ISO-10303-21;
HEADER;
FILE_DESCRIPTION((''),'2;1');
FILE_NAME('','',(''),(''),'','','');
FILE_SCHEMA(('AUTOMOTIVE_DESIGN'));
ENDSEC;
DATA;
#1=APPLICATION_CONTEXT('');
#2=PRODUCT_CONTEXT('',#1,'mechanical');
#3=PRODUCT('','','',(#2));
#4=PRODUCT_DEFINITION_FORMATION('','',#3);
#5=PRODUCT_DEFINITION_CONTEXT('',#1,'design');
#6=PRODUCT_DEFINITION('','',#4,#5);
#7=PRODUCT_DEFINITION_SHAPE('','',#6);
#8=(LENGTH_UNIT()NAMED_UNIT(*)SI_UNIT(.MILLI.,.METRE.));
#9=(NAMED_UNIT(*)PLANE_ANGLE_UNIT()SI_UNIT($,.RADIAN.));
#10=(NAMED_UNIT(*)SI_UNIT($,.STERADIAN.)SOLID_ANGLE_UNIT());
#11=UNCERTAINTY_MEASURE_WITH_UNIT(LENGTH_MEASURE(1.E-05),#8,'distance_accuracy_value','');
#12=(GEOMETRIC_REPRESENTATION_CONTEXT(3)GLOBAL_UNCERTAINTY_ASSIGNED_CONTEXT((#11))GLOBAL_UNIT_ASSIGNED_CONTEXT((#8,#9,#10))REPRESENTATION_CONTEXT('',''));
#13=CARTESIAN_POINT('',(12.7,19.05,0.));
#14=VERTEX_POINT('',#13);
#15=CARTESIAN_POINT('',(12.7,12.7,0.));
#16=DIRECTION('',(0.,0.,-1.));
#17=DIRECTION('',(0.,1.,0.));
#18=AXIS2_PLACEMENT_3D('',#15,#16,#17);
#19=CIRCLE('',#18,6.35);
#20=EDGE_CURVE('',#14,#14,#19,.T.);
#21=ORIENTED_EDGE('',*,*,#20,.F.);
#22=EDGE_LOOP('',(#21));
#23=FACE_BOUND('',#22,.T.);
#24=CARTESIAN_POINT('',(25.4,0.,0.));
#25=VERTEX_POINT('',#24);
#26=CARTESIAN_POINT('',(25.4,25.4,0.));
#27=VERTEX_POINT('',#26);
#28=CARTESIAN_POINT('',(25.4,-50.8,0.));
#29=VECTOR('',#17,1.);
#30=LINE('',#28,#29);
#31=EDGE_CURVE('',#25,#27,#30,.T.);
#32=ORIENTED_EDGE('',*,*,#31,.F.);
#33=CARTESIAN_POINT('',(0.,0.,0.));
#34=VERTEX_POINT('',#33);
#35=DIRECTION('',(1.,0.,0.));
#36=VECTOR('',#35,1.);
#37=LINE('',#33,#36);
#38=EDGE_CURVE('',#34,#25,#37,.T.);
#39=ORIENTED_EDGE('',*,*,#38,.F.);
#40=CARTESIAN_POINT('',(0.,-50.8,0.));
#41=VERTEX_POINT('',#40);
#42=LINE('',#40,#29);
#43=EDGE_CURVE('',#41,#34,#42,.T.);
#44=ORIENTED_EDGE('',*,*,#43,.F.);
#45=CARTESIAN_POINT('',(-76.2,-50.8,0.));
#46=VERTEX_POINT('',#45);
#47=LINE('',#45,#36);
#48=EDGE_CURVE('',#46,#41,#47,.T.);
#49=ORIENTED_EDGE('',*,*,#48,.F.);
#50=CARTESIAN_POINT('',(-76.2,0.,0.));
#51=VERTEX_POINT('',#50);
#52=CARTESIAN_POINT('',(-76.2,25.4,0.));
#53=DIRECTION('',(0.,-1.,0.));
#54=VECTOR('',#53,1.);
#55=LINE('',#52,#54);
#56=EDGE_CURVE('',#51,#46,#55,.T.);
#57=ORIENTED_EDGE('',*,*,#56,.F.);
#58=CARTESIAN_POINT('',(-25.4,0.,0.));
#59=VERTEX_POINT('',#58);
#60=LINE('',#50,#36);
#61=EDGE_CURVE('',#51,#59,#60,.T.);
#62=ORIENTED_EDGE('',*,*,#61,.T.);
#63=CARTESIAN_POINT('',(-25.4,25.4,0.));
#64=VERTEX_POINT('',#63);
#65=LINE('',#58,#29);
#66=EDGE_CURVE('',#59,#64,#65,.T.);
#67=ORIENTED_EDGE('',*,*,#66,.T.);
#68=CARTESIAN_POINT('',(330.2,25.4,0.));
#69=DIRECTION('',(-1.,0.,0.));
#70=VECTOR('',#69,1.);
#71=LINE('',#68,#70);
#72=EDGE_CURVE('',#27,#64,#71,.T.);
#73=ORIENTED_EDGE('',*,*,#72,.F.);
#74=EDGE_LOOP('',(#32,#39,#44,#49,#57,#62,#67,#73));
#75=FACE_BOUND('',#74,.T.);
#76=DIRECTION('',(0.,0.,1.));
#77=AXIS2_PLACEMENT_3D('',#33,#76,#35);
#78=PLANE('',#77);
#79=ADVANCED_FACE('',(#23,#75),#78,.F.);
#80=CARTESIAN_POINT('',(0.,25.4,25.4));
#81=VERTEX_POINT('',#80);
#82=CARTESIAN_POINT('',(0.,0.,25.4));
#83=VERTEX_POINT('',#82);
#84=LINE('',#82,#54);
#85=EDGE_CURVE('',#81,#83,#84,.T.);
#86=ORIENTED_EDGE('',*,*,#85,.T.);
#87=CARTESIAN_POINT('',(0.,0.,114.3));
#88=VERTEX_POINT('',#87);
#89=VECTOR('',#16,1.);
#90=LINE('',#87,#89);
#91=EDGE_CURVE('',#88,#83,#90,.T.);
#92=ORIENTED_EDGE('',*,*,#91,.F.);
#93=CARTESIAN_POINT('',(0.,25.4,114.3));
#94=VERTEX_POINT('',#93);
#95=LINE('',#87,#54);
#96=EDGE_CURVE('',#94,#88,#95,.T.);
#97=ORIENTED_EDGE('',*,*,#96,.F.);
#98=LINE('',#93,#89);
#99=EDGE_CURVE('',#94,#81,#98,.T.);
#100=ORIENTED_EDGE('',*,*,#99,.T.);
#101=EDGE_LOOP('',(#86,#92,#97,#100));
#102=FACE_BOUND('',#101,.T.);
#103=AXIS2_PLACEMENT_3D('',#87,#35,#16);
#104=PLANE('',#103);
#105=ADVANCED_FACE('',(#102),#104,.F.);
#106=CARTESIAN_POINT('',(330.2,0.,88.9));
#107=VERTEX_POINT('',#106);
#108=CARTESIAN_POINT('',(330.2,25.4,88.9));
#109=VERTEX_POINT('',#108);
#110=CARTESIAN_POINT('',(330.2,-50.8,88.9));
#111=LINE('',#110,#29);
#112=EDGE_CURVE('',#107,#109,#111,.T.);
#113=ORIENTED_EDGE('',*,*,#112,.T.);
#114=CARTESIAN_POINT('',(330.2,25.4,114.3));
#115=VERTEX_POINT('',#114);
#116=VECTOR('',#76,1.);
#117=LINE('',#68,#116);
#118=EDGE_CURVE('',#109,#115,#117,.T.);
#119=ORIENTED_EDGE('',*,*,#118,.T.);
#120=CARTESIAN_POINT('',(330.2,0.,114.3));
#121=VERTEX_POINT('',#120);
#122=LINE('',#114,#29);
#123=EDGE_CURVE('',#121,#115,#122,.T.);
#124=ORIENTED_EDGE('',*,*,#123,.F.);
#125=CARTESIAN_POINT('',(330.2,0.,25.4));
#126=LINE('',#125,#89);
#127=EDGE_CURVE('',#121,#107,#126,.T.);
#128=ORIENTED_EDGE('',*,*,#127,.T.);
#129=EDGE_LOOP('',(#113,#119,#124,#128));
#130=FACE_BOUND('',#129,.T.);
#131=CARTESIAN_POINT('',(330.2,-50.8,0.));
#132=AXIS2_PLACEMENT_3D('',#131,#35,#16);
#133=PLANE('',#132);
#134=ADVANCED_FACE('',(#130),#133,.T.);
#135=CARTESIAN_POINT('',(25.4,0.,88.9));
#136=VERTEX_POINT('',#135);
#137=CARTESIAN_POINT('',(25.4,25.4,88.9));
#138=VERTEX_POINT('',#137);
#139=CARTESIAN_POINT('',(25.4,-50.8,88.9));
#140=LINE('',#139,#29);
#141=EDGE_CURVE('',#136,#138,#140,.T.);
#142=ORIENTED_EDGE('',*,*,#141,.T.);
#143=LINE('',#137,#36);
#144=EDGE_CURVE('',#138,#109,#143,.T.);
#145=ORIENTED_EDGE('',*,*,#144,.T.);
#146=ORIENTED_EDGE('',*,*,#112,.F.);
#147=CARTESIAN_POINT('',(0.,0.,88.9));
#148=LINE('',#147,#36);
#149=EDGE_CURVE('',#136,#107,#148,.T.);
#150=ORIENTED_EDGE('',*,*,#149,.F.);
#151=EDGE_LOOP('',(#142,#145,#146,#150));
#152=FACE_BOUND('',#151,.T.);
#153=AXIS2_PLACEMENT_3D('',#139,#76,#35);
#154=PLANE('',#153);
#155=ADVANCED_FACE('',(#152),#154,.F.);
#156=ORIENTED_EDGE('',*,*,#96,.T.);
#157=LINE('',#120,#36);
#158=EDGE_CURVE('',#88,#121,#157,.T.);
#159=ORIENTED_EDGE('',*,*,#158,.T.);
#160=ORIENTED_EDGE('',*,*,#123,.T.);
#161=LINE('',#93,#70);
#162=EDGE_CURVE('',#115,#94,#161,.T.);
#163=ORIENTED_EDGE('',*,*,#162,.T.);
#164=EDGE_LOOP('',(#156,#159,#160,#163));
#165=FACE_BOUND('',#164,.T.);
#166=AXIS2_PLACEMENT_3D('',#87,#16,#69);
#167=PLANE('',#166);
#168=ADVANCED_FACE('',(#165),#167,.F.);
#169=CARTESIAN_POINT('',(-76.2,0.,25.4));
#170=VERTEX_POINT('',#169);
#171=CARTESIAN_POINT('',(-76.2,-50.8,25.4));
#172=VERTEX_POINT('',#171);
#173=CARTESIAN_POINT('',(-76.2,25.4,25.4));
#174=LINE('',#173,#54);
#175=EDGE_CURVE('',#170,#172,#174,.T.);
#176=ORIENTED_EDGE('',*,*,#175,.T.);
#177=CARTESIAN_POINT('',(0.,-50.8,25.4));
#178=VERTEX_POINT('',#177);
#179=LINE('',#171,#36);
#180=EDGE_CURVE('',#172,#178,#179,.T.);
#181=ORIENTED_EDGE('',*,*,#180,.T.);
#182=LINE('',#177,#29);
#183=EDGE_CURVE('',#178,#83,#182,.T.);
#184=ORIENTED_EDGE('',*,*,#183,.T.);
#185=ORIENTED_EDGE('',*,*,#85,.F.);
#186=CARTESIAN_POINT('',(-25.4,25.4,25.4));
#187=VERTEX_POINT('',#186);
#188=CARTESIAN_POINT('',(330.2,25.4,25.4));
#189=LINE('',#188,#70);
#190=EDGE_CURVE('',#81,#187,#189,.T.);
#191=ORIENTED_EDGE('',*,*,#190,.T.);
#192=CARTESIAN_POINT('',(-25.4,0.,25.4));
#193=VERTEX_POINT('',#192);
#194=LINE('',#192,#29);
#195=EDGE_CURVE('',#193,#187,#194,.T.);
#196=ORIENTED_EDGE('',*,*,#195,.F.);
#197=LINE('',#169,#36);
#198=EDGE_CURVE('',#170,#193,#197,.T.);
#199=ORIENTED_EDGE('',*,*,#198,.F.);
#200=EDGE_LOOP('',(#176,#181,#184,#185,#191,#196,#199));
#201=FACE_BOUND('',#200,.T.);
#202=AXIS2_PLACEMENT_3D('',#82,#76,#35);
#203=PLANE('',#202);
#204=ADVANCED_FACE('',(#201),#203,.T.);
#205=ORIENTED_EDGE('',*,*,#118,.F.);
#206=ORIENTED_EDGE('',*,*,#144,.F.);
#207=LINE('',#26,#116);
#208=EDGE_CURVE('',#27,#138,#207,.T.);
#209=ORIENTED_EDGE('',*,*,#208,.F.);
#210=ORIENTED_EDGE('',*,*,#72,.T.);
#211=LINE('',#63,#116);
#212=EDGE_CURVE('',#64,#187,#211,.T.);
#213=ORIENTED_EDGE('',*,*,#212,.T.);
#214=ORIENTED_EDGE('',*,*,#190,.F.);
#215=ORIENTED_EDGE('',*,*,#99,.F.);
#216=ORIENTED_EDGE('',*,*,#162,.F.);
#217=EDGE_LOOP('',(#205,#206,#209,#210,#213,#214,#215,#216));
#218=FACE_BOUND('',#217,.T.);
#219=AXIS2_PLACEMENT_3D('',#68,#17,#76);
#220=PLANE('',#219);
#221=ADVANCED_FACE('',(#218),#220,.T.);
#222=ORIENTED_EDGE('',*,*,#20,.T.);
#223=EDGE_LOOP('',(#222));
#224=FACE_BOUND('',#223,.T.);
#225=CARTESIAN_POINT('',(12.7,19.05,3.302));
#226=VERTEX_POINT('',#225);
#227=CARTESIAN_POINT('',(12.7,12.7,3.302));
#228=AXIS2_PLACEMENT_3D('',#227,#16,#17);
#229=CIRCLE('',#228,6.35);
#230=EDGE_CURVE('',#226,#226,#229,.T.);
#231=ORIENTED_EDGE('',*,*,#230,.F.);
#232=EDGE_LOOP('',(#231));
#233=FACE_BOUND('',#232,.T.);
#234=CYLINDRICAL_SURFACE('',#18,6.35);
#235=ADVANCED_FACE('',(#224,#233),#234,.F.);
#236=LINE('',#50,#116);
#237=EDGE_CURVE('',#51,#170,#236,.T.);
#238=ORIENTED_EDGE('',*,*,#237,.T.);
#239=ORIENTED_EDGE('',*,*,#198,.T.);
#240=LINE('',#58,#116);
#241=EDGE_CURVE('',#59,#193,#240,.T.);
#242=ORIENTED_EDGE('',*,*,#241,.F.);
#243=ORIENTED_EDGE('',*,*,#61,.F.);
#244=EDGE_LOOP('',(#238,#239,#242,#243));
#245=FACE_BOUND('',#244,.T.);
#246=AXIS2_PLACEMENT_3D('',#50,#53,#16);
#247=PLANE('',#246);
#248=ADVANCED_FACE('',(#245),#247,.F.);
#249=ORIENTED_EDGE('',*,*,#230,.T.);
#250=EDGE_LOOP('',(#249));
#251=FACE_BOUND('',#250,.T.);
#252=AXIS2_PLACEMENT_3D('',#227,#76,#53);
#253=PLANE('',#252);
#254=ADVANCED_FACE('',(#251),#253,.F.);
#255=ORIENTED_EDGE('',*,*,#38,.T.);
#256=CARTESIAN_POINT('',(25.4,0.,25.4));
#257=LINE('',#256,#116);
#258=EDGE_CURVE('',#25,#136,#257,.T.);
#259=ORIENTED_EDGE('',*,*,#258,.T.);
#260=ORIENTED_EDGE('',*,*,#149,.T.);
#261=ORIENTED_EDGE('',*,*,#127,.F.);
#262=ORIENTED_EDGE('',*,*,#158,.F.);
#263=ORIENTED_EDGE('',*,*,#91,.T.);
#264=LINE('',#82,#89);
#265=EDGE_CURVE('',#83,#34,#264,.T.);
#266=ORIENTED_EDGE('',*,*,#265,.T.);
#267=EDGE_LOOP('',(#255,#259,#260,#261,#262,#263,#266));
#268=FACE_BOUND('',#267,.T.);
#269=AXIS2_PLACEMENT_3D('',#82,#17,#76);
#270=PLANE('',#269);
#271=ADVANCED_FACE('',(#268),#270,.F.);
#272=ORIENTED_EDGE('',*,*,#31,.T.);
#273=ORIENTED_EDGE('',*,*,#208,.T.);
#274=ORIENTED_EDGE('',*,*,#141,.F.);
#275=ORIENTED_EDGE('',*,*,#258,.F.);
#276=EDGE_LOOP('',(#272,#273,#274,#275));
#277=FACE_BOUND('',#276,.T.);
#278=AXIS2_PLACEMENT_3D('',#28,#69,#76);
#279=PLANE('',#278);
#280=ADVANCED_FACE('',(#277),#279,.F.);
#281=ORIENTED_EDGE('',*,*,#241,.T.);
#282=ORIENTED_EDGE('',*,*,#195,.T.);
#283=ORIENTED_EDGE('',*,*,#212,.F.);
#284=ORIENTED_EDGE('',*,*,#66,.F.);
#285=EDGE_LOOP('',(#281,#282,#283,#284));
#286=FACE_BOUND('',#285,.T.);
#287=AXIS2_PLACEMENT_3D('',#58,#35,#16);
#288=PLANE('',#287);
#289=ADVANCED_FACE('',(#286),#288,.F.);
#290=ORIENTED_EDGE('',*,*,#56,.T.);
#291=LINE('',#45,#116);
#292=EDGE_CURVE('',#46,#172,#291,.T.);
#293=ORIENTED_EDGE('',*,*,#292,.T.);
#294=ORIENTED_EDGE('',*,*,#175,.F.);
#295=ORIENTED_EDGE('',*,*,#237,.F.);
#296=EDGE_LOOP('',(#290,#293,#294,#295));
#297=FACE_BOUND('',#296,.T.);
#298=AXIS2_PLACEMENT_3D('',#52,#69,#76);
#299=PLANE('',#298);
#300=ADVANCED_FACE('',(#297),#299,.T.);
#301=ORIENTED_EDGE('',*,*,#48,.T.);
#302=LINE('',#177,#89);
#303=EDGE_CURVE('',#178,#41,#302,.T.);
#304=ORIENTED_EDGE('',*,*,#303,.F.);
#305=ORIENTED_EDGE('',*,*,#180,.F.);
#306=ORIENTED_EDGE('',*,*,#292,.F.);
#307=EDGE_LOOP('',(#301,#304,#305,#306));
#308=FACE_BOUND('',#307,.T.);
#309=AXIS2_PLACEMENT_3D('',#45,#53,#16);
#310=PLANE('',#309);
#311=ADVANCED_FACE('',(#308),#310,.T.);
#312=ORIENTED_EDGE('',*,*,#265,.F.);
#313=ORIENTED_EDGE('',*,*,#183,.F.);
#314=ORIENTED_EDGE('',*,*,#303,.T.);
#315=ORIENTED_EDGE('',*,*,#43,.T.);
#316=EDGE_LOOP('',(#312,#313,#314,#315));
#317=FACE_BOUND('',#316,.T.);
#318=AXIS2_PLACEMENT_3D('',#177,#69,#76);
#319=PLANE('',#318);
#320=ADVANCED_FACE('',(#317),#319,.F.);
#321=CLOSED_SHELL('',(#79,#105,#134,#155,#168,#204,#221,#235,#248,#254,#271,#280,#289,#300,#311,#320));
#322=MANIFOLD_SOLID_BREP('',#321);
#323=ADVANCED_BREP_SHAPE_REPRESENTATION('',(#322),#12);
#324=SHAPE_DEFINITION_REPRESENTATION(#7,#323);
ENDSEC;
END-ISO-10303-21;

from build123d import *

# Parameters (mm, degrees)
SKETCH1_W           = 406.4
SKETCH1_H           = 76.2
BOSS_EXTRUDE1_DEPTH = 25.4
SKETCH2_W           = 330.2
SKETCH2_H           = 50.8
CUT_EXTRUDE1_DEPTH  = 336.04901134
SKETCH3_W           = 330.2
SKETCH3_H           = 25.4
BOSS_EXTRUDE2_DEPTH = 88.9
SKETCH4_W           = 50.8
SKETCH4_H           = 25.4
CUT_EXTRUDE2_DEPTH  = 346.710702756
SKETCH5_W           = 304.8
SKETCH5_H           = 88.9
CUT_EXTRUDE3_DEPTH  = 358.635247144
HOLE1_D             = 12.7
HOLE1_DEPTH         = 3.302


with BuildPart() as part:
    # Sketch1 → Boss-Extrude1 (new body)
    with BuildSketch(Plane.XY.offset(25.4)):
        with Locations((127, -12.7)):
            Rectangle(SKETCH1_W, SKETCH1_H)
    extrude(amount=-BOSS_EXTRUDE1_DEPTH)

    # Sketch2 → Cut-Extrude1 (cut, through all)
    with BuildSketch(Plane(origin=(0, 0, 0), x_dir=(-1, 0, 0), z_dir=(0, 0, -1))):
        with Locations((-165.1, -25.4)):
            Rectangle(SKETCH2_W, SKETCH2_H)
    extrude(amount=-CUT_EXTRUDE1_DEPTH, mode=Mode.SUBTRACT)

    # Sketch3 → Boss-Extrude2 (add)
    with BuildSketch(Plane.XY.offset(25.4)):
        with Locations((165.1, 12.7)):
            Rectangle(SKETCH3_W, SKETCH3_H)
    extrude(amount=BOSS_EXTRUDE2_DEPTH)

    # Sketch4 → Cut-Extrude2 (cut, through all)
    with BuildSketch(Plane.XY.offset(25.4)):
        with Locations((-50.8, 12.7)):
            Rectangle(SKETCH4_W, SKETCH4_H)
    extrude(amount=-CUT_EXTRUDE2_DEPTH, mode=Mode.SUBTRACT)

    # Sketch5 → Cut-Extrude3 (cut, through all)
    with BuildSketch(Plane(origin=(0, 25.4, 0), x_dir=(-1, 0, 0), z_dir=(0, 1, 0))):
        with Locations((-177.8, 44.45)):
            Rectangle(SKETCH5_W, SKETCH5_H)
    extrude(amount=-CUT_EXTRUDE3_DEPTH, mode=Mode.SUBTRACT)

    # Hole1
    with Locations(Plane(origin=(0, 0, 0), x_dir=(-1, 0, 0), z_dir=(0, 0, -1))):
        with Locations((-12.7, 12.7)):
            Hole(HOLE1_D / 2, depth=HOLE1_DEPTH)


solid = part.part
